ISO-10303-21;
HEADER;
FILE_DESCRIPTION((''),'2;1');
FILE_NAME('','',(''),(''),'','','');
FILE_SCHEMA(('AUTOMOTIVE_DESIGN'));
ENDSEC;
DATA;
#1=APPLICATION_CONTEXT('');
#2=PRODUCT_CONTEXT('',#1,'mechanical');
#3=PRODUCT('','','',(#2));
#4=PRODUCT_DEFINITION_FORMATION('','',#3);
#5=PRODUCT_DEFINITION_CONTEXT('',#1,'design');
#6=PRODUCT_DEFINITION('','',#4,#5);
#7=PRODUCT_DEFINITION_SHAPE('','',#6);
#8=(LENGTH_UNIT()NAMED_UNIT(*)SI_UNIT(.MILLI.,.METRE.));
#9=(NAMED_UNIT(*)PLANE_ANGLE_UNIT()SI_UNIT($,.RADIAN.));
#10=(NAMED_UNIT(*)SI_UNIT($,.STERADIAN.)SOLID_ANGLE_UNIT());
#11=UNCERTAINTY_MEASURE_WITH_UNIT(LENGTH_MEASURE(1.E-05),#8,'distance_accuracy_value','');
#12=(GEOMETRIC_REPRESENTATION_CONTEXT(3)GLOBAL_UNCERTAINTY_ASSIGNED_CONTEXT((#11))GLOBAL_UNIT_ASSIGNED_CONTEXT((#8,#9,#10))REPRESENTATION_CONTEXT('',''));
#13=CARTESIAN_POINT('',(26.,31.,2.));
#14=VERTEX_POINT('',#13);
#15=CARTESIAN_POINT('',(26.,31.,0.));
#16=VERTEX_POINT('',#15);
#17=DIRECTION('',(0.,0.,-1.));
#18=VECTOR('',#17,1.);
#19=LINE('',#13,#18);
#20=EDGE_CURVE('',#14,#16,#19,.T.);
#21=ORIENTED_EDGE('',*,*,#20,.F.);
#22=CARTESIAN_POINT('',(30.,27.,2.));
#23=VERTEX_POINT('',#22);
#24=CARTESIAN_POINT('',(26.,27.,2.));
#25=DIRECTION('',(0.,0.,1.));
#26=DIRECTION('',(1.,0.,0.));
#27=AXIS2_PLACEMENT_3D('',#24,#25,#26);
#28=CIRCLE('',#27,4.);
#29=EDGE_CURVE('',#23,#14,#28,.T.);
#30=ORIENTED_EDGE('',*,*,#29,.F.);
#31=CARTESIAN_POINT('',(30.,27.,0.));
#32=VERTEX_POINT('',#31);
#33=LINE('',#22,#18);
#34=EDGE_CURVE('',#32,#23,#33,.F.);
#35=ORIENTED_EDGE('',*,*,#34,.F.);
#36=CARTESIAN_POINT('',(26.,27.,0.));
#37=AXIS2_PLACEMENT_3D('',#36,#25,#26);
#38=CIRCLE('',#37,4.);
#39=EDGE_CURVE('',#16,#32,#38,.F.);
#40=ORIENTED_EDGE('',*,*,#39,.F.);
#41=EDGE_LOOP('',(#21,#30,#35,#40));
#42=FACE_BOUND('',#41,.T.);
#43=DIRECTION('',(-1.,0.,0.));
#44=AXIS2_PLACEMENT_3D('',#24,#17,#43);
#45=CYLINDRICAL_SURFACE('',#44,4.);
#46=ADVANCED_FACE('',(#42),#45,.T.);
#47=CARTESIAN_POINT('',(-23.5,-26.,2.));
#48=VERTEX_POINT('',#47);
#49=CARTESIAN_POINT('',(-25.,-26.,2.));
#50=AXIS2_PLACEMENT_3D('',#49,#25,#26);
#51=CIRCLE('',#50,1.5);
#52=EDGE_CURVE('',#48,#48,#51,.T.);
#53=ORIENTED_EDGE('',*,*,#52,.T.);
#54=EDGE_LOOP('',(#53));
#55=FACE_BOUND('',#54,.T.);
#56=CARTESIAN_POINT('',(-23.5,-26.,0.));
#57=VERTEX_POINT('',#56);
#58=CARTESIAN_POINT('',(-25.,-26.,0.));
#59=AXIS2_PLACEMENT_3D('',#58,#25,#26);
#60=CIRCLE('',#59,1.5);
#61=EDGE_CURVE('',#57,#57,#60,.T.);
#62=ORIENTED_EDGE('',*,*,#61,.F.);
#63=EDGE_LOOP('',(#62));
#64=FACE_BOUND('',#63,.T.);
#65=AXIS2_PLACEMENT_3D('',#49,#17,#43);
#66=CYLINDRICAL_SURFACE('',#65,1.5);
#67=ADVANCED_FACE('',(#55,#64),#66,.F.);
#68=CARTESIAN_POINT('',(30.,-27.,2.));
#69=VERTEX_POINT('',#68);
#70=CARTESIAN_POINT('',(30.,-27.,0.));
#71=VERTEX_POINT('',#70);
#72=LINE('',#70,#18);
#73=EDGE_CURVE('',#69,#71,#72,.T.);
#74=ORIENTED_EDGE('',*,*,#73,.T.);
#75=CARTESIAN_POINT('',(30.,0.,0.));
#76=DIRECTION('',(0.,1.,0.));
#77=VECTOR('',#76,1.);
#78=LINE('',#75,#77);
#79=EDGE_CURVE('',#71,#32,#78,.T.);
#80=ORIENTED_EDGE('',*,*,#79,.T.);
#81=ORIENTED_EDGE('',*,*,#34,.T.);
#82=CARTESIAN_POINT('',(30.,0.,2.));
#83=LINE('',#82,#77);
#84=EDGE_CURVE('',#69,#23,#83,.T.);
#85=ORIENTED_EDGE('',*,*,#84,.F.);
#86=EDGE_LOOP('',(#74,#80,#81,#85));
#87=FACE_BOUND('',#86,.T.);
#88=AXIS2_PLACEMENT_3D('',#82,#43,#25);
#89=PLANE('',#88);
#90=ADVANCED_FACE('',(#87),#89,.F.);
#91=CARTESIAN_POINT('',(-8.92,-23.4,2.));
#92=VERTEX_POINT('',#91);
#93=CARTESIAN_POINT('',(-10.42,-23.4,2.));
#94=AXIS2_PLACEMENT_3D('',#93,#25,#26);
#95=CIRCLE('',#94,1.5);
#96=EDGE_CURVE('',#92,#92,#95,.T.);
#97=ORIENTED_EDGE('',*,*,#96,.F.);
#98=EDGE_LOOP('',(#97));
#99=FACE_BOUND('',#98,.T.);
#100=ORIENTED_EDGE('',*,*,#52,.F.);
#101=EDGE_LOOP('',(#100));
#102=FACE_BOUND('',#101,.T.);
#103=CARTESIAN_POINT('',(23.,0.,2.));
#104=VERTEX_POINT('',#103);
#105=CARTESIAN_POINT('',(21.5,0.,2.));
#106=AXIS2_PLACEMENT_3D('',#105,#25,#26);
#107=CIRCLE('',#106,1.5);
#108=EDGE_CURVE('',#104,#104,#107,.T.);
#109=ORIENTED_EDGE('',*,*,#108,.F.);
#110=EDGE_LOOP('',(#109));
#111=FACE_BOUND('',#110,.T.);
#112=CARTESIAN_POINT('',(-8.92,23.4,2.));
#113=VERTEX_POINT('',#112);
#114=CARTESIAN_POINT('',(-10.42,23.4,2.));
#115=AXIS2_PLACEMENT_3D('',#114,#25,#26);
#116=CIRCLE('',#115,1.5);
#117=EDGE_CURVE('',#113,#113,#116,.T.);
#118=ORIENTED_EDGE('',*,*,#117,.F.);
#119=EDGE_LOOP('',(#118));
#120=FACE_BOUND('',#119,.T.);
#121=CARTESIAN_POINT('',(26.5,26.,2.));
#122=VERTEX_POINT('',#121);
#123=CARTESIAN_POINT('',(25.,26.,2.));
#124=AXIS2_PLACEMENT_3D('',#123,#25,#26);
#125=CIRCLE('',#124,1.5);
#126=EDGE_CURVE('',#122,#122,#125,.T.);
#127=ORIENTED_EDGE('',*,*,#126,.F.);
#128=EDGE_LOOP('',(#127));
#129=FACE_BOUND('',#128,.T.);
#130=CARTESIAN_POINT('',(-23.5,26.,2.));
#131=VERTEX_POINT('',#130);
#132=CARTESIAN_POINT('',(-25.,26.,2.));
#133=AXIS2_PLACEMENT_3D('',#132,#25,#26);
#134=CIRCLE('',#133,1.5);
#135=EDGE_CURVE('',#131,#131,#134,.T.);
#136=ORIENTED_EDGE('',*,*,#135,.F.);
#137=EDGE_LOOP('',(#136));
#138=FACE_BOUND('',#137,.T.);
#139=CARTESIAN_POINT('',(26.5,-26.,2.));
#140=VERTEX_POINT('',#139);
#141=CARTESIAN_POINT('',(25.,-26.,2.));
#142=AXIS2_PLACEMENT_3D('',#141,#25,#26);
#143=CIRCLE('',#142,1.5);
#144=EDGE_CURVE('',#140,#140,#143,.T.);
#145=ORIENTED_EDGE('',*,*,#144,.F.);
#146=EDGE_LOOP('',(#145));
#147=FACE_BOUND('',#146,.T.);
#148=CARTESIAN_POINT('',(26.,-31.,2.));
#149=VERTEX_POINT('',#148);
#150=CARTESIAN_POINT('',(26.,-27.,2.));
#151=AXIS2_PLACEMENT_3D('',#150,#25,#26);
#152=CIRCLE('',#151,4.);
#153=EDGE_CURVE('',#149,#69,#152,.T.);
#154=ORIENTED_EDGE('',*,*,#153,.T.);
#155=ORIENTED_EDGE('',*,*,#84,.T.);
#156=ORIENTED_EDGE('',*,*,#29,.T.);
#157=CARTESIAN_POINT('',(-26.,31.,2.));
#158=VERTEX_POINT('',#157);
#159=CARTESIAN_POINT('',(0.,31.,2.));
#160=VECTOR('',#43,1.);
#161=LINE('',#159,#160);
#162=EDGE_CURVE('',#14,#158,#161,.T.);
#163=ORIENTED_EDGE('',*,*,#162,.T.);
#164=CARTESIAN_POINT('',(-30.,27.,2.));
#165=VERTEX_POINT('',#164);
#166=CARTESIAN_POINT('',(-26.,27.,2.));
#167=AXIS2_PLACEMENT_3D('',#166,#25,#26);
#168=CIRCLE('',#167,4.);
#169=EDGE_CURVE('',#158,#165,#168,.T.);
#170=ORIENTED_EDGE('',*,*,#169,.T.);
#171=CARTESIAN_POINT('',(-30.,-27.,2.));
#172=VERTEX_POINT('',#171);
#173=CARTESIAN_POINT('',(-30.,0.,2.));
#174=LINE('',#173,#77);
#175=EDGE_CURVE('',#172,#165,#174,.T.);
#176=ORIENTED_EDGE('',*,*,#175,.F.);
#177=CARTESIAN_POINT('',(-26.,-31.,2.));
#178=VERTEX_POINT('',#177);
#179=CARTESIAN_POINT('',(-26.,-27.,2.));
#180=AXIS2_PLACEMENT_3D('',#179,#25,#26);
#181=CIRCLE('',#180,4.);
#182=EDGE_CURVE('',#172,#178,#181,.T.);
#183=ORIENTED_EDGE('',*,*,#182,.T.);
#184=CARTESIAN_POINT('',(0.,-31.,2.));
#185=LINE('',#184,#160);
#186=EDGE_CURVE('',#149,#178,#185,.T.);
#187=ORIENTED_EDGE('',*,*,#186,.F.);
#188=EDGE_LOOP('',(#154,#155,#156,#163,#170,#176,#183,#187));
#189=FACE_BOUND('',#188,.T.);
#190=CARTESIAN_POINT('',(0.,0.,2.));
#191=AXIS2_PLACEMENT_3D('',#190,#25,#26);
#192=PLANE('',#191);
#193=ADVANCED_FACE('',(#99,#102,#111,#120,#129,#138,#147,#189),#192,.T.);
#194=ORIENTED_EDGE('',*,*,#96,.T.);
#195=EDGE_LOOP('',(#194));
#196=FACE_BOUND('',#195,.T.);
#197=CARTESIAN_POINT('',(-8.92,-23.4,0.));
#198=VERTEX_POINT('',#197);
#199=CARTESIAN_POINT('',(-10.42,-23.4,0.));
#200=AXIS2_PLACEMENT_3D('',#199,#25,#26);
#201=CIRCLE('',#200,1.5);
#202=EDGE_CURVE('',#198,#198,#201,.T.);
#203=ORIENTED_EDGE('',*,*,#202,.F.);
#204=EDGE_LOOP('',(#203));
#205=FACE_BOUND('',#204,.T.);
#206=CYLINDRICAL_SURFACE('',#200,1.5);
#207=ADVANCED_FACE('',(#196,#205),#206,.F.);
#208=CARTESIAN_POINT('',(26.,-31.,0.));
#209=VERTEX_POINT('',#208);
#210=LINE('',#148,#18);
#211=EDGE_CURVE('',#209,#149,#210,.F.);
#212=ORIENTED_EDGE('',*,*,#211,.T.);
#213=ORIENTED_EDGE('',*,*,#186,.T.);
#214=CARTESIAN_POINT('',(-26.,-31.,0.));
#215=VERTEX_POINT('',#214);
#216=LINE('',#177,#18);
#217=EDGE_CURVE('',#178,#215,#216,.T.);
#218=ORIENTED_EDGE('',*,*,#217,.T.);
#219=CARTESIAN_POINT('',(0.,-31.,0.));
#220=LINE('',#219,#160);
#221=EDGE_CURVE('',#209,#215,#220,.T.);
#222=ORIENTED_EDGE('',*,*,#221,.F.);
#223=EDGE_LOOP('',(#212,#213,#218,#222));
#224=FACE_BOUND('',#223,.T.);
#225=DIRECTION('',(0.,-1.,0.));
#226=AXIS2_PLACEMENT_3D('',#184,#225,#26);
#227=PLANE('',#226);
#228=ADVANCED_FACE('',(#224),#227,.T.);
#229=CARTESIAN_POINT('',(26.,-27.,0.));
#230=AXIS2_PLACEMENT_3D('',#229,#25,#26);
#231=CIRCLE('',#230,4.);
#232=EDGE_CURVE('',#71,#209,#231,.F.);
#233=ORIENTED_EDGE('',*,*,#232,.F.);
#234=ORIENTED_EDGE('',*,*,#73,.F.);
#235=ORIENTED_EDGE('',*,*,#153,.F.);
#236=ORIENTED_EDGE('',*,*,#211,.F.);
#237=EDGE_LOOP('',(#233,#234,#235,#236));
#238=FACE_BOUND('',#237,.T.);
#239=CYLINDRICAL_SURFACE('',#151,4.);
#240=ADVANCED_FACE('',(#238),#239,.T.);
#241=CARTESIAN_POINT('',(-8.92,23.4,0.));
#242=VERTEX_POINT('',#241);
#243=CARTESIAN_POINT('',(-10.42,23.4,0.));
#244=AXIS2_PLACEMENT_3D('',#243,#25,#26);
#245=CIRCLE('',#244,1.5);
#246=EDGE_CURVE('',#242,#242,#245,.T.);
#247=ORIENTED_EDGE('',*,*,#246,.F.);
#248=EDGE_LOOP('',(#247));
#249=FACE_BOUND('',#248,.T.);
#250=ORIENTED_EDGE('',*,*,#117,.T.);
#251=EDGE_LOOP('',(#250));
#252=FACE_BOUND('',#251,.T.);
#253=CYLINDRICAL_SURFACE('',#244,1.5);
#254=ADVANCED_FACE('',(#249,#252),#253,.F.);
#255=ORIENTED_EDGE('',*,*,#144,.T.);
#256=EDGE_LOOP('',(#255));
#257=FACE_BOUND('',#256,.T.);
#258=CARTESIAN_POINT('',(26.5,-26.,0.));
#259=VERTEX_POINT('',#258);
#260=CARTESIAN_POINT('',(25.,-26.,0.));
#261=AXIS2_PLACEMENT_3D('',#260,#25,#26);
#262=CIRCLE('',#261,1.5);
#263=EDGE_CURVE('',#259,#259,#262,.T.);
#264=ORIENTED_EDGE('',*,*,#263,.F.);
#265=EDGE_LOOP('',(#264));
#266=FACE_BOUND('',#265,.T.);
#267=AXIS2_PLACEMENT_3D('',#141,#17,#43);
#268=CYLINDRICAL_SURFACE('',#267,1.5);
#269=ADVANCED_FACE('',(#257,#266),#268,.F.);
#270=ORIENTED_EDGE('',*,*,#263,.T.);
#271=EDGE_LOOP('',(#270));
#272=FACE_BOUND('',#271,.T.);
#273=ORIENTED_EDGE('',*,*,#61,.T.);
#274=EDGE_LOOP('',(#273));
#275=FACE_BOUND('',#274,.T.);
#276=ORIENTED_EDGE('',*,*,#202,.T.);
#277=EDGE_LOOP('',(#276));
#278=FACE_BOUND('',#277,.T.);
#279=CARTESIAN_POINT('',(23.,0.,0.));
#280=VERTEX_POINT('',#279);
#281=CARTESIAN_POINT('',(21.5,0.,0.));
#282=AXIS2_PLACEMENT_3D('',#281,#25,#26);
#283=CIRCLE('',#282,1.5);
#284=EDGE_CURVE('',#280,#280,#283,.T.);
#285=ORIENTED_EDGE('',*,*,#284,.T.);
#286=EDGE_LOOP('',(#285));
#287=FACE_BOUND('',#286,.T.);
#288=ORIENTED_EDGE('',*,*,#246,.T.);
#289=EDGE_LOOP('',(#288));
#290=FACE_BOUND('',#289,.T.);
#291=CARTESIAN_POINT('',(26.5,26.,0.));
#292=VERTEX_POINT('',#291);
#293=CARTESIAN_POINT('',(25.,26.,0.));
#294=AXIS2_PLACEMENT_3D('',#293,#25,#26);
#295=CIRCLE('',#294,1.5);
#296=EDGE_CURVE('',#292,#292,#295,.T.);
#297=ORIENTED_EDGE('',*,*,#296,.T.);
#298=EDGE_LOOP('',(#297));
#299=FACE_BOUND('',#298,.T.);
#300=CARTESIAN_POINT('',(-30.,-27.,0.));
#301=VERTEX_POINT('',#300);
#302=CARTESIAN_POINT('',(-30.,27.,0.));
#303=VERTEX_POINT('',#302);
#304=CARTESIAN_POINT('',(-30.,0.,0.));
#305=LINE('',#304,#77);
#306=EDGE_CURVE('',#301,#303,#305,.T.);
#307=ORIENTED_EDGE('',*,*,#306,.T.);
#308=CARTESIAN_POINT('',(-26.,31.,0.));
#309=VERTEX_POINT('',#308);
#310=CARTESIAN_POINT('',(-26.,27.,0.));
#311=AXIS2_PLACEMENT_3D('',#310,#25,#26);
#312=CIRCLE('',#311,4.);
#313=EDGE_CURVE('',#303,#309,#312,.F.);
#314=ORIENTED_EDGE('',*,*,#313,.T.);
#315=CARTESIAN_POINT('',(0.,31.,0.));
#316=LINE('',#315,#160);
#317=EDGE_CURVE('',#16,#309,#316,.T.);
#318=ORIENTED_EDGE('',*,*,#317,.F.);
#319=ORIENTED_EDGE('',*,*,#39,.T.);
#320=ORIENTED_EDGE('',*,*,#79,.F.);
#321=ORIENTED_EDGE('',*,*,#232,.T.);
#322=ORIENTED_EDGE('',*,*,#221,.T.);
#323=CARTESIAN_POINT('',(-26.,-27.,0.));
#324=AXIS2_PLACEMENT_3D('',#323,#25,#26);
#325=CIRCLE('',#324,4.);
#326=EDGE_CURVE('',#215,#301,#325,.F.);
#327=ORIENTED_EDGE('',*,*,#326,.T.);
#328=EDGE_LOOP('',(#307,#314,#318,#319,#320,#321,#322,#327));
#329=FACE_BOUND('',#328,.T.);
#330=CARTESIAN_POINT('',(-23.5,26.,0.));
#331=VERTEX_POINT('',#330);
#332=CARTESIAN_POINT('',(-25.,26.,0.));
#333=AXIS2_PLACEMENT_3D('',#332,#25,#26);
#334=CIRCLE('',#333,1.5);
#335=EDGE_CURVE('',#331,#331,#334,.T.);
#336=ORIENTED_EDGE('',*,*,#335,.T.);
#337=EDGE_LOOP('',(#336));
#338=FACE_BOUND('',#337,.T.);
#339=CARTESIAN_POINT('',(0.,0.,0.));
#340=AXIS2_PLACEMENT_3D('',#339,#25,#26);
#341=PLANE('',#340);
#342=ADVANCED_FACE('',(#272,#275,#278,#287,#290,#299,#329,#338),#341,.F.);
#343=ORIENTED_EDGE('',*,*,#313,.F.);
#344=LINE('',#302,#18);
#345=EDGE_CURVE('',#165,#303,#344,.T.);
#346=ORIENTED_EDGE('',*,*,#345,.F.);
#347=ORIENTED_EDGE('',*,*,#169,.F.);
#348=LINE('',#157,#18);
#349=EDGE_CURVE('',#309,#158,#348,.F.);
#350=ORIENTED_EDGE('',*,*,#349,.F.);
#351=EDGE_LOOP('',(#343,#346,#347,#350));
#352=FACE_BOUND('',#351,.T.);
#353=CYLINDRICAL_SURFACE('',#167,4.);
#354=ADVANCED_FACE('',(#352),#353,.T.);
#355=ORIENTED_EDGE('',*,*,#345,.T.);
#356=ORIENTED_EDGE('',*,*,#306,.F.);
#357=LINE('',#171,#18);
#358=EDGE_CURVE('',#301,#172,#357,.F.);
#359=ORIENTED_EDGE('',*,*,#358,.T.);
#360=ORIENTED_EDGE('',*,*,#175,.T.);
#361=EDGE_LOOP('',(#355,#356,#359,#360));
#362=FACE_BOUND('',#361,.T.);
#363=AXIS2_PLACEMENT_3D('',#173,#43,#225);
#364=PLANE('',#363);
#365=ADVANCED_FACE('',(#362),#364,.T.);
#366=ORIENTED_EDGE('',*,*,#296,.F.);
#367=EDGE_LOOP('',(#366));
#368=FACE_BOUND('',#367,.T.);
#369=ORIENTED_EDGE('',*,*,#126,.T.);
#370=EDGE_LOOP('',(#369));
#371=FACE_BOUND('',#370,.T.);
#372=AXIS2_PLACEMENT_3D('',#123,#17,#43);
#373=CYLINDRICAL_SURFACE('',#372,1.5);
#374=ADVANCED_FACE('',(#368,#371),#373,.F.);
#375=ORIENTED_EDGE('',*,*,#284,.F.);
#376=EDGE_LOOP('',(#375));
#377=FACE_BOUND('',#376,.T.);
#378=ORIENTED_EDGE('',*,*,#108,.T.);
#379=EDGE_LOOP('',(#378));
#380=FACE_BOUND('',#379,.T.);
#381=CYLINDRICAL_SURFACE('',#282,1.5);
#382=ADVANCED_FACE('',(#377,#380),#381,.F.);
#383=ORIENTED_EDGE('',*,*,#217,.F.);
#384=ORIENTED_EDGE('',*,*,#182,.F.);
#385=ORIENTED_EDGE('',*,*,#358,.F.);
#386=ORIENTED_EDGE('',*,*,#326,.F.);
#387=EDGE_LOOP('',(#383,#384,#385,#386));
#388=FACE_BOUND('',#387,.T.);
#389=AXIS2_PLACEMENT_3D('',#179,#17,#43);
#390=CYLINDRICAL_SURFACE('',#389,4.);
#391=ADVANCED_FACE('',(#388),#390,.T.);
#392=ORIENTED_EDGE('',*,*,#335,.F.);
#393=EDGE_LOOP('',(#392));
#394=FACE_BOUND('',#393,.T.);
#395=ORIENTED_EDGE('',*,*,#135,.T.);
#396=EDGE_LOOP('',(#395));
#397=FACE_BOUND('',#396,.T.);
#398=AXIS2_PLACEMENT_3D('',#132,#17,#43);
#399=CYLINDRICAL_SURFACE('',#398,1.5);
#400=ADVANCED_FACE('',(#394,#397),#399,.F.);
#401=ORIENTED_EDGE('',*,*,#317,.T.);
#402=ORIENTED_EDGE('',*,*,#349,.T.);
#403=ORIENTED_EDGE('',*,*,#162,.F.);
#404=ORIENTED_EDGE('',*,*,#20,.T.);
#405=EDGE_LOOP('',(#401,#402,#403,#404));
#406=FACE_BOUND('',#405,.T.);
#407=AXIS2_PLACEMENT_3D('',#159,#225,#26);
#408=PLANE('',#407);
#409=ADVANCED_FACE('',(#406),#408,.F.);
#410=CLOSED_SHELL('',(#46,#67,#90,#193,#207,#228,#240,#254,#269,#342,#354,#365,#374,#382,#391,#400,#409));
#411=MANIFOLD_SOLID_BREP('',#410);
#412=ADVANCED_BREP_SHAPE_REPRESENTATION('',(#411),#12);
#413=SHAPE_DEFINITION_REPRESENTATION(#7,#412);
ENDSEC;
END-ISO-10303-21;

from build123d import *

# Parameters (mm, degrees)
CROQUIS1_W              = 60
CROQUIS1_H              = 62
CROQUIS1_R              = 1.5
SALIENTE_EXTRUIR1_DEPTH = 2
REDONDEO1_R             = 4
CROQUIS3_R              = 1.5
CORTAR_EXTRUIR1_DEPTH   = 2


with BuildPart() as part:
    # Croquis1 → Saliente-Extruir1 (new body)
    with BuildSketch(Plane.XY):
        Rectangle(CROQUIS1_W, CROQUIS1_H)
        with Locations((-25, -26)):
            Circle(CROQUIS1_R, mode=Mode.SUBTRACT)
        with Locations((25, -26)):
            Circle(CROQUIS1_R, mode=Mode.SUBTRACT)
        with Locations((25, 26)):
            Circle(CROQUIS1_R, mode=Mode.SUBTRACT)
        with Locations((-25, 26)):
            Circle(CROQUIS1_R, mode=Mode.SUBTRACT)
    extrude(amount=SALIENTE_EXTRUIR1_DEPTH)

    # Redondeo1
    redondeo1_edges = [part.edges().sort_by_distance(p)[0] for p in [
        (-30, -31, 1),
        (-30, 31, 1),
        (30, 31, 1),
        (30, -31, 1),
    ]]
    fillet(redondeo1_edges, radius=REDONDEO1_R)

    # Croquis3 → Cortar-Extruir1 (cut)
    with BuildSketch(Plane.XY.offset(2)):
        with Locations((-10.42, 23.4)):
            Circle(CROQUIS3_R)
        with Locations((-10.42, -23.4)):
            Circle(CROQUIS3_R)
        with Locations((21.5, 0)):
            Circle(CROQUIS3_R)
    extrude(amount=-CORTAR_EXTRUIR1_DEPTH, mode=Mode.SUBTRACT)


solid = part.part
